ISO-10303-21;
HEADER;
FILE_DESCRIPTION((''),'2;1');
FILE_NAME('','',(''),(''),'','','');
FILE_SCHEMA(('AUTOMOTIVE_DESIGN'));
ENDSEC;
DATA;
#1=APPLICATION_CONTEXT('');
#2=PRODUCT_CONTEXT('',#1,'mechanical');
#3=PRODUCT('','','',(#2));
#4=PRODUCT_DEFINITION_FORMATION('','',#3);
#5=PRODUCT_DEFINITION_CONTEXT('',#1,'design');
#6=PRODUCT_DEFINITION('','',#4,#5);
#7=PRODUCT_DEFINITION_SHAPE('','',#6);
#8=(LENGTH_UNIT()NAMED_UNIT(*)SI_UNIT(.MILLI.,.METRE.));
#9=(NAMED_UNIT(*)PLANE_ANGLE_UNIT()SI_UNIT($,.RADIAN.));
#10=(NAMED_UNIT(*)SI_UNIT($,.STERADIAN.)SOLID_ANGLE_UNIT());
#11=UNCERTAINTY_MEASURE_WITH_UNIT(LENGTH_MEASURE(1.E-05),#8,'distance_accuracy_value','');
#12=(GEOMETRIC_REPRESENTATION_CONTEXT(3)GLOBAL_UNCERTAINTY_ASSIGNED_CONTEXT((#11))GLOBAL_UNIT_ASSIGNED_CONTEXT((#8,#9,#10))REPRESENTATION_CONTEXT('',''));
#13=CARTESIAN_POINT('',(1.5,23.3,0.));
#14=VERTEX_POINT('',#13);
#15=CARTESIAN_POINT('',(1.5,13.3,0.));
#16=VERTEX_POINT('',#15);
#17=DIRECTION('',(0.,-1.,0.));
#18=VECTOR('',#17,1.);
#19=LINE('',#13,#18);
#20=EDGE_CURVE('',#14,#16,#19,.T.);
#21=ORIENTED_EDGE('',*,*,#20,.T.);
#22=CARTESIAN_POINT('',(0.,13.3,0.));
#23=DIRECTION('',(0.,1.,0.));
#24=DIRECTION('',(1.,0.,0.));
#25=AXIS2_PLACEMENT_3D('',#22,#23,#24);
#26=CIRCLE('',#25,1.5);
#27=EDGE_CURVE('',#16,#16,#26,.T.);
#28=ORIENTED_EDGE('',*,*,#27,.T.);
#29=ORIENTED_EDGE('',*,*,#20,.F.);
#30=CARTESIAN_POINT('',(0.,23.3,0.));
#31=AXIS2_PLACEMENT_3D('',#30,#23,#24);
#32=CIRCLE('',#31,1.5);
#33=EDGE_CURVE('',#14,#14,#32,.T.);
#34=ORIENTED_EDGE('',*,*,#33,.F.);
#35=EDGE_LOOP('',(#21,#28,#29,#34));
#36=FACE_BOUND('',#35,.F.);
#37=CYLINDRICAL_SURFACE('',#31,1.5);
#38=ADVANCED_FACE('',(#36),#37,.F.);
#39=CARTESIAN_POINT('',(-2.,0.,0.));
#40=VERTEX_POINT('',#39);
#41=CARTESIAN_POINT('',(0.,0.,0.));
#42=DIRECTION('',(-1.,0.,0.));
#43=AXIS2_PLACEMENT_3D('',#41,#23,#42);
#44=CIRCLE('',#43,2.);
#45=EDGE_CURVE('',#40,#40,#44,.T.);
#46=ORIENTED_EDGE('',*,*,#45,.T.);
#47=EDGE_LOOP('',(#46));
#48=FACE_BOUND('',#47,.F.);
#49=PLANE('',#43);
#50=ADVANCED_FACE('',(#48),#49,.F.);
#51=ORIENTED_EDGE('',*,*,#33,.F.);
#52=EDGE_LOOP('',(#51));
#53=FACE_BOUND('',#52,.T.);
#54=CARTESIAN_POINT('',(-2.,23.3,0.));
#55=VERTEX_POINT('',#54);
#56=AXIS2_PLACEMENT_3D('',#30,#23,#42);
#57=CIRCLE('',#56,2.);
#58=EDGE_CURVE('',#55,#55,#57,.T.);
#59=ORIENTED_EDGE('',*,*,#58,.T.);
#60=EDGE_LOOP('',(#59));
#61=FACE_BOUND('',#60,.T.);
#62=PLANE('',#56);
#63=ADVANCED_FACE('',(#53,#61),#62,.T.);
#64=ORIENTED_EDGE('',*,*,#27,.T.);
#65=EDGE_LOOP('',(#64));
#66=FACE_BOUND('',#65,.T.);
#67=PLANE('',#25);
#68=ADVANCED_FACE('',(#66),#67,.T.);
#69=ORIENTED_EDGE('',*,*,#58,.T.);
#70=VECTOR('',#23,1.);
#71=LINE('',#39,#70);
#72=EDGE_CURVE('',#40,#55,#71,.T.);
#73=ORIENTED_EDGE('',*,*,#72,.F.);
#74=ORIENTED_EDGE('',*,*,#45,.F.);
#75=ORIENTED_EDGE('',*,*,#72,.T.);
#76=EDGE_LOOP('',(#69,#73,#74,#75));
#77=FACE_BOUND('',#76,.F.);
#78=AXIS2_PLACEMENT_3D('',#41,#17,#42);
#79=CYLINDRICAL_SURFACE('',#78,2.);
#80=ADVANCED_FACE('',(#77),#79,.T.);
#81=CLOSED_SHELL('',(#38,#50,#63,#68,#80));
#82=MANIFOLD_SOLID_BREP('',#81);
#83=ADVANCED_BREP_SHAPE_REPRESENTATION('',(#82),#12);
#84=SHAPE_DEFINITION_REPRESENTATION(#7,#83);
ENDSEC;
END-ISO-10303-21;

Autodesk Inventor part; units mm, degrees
ref_plane "YZ Plane" through (0, 0, 0) normal (1, 0, 0) x (0, 1, 0)
ref_plane "XZ Plane" through (0, 0, 0) normal (0, 1, 0) x (-1, 0, 0)
ref_plane "XY Plane" through (0, 0, 0) normal (0, 0, 1) x (1, 0, 0)
sketch "スケッチ1" plane through (0, 0, 0) normal (0, 1, 0) x (-1, 0, 0)
  circle A0 centre (0, 0) radius 2
  dimension "d0" = 4
extrude "押し出し1" add sketch "スケッチ1" along normal blind 23.3
sketch "スケッチ2" plane through (0, 23.3, 0) normal (0, 1, 0) x (1, 0, 0)
  circle A0 centre (0, 0) radius 1.5
  dimension "d3" = 3
extrude "押し出し2" cut sketch "スケッチ2" against normal blind 10
thread "ねじ1" size "M3x0.5" class "6H" standard "ANSI Metric M Profile" full length
properties part number "shaft_23.3mm" material "アルミニウム 6061"
